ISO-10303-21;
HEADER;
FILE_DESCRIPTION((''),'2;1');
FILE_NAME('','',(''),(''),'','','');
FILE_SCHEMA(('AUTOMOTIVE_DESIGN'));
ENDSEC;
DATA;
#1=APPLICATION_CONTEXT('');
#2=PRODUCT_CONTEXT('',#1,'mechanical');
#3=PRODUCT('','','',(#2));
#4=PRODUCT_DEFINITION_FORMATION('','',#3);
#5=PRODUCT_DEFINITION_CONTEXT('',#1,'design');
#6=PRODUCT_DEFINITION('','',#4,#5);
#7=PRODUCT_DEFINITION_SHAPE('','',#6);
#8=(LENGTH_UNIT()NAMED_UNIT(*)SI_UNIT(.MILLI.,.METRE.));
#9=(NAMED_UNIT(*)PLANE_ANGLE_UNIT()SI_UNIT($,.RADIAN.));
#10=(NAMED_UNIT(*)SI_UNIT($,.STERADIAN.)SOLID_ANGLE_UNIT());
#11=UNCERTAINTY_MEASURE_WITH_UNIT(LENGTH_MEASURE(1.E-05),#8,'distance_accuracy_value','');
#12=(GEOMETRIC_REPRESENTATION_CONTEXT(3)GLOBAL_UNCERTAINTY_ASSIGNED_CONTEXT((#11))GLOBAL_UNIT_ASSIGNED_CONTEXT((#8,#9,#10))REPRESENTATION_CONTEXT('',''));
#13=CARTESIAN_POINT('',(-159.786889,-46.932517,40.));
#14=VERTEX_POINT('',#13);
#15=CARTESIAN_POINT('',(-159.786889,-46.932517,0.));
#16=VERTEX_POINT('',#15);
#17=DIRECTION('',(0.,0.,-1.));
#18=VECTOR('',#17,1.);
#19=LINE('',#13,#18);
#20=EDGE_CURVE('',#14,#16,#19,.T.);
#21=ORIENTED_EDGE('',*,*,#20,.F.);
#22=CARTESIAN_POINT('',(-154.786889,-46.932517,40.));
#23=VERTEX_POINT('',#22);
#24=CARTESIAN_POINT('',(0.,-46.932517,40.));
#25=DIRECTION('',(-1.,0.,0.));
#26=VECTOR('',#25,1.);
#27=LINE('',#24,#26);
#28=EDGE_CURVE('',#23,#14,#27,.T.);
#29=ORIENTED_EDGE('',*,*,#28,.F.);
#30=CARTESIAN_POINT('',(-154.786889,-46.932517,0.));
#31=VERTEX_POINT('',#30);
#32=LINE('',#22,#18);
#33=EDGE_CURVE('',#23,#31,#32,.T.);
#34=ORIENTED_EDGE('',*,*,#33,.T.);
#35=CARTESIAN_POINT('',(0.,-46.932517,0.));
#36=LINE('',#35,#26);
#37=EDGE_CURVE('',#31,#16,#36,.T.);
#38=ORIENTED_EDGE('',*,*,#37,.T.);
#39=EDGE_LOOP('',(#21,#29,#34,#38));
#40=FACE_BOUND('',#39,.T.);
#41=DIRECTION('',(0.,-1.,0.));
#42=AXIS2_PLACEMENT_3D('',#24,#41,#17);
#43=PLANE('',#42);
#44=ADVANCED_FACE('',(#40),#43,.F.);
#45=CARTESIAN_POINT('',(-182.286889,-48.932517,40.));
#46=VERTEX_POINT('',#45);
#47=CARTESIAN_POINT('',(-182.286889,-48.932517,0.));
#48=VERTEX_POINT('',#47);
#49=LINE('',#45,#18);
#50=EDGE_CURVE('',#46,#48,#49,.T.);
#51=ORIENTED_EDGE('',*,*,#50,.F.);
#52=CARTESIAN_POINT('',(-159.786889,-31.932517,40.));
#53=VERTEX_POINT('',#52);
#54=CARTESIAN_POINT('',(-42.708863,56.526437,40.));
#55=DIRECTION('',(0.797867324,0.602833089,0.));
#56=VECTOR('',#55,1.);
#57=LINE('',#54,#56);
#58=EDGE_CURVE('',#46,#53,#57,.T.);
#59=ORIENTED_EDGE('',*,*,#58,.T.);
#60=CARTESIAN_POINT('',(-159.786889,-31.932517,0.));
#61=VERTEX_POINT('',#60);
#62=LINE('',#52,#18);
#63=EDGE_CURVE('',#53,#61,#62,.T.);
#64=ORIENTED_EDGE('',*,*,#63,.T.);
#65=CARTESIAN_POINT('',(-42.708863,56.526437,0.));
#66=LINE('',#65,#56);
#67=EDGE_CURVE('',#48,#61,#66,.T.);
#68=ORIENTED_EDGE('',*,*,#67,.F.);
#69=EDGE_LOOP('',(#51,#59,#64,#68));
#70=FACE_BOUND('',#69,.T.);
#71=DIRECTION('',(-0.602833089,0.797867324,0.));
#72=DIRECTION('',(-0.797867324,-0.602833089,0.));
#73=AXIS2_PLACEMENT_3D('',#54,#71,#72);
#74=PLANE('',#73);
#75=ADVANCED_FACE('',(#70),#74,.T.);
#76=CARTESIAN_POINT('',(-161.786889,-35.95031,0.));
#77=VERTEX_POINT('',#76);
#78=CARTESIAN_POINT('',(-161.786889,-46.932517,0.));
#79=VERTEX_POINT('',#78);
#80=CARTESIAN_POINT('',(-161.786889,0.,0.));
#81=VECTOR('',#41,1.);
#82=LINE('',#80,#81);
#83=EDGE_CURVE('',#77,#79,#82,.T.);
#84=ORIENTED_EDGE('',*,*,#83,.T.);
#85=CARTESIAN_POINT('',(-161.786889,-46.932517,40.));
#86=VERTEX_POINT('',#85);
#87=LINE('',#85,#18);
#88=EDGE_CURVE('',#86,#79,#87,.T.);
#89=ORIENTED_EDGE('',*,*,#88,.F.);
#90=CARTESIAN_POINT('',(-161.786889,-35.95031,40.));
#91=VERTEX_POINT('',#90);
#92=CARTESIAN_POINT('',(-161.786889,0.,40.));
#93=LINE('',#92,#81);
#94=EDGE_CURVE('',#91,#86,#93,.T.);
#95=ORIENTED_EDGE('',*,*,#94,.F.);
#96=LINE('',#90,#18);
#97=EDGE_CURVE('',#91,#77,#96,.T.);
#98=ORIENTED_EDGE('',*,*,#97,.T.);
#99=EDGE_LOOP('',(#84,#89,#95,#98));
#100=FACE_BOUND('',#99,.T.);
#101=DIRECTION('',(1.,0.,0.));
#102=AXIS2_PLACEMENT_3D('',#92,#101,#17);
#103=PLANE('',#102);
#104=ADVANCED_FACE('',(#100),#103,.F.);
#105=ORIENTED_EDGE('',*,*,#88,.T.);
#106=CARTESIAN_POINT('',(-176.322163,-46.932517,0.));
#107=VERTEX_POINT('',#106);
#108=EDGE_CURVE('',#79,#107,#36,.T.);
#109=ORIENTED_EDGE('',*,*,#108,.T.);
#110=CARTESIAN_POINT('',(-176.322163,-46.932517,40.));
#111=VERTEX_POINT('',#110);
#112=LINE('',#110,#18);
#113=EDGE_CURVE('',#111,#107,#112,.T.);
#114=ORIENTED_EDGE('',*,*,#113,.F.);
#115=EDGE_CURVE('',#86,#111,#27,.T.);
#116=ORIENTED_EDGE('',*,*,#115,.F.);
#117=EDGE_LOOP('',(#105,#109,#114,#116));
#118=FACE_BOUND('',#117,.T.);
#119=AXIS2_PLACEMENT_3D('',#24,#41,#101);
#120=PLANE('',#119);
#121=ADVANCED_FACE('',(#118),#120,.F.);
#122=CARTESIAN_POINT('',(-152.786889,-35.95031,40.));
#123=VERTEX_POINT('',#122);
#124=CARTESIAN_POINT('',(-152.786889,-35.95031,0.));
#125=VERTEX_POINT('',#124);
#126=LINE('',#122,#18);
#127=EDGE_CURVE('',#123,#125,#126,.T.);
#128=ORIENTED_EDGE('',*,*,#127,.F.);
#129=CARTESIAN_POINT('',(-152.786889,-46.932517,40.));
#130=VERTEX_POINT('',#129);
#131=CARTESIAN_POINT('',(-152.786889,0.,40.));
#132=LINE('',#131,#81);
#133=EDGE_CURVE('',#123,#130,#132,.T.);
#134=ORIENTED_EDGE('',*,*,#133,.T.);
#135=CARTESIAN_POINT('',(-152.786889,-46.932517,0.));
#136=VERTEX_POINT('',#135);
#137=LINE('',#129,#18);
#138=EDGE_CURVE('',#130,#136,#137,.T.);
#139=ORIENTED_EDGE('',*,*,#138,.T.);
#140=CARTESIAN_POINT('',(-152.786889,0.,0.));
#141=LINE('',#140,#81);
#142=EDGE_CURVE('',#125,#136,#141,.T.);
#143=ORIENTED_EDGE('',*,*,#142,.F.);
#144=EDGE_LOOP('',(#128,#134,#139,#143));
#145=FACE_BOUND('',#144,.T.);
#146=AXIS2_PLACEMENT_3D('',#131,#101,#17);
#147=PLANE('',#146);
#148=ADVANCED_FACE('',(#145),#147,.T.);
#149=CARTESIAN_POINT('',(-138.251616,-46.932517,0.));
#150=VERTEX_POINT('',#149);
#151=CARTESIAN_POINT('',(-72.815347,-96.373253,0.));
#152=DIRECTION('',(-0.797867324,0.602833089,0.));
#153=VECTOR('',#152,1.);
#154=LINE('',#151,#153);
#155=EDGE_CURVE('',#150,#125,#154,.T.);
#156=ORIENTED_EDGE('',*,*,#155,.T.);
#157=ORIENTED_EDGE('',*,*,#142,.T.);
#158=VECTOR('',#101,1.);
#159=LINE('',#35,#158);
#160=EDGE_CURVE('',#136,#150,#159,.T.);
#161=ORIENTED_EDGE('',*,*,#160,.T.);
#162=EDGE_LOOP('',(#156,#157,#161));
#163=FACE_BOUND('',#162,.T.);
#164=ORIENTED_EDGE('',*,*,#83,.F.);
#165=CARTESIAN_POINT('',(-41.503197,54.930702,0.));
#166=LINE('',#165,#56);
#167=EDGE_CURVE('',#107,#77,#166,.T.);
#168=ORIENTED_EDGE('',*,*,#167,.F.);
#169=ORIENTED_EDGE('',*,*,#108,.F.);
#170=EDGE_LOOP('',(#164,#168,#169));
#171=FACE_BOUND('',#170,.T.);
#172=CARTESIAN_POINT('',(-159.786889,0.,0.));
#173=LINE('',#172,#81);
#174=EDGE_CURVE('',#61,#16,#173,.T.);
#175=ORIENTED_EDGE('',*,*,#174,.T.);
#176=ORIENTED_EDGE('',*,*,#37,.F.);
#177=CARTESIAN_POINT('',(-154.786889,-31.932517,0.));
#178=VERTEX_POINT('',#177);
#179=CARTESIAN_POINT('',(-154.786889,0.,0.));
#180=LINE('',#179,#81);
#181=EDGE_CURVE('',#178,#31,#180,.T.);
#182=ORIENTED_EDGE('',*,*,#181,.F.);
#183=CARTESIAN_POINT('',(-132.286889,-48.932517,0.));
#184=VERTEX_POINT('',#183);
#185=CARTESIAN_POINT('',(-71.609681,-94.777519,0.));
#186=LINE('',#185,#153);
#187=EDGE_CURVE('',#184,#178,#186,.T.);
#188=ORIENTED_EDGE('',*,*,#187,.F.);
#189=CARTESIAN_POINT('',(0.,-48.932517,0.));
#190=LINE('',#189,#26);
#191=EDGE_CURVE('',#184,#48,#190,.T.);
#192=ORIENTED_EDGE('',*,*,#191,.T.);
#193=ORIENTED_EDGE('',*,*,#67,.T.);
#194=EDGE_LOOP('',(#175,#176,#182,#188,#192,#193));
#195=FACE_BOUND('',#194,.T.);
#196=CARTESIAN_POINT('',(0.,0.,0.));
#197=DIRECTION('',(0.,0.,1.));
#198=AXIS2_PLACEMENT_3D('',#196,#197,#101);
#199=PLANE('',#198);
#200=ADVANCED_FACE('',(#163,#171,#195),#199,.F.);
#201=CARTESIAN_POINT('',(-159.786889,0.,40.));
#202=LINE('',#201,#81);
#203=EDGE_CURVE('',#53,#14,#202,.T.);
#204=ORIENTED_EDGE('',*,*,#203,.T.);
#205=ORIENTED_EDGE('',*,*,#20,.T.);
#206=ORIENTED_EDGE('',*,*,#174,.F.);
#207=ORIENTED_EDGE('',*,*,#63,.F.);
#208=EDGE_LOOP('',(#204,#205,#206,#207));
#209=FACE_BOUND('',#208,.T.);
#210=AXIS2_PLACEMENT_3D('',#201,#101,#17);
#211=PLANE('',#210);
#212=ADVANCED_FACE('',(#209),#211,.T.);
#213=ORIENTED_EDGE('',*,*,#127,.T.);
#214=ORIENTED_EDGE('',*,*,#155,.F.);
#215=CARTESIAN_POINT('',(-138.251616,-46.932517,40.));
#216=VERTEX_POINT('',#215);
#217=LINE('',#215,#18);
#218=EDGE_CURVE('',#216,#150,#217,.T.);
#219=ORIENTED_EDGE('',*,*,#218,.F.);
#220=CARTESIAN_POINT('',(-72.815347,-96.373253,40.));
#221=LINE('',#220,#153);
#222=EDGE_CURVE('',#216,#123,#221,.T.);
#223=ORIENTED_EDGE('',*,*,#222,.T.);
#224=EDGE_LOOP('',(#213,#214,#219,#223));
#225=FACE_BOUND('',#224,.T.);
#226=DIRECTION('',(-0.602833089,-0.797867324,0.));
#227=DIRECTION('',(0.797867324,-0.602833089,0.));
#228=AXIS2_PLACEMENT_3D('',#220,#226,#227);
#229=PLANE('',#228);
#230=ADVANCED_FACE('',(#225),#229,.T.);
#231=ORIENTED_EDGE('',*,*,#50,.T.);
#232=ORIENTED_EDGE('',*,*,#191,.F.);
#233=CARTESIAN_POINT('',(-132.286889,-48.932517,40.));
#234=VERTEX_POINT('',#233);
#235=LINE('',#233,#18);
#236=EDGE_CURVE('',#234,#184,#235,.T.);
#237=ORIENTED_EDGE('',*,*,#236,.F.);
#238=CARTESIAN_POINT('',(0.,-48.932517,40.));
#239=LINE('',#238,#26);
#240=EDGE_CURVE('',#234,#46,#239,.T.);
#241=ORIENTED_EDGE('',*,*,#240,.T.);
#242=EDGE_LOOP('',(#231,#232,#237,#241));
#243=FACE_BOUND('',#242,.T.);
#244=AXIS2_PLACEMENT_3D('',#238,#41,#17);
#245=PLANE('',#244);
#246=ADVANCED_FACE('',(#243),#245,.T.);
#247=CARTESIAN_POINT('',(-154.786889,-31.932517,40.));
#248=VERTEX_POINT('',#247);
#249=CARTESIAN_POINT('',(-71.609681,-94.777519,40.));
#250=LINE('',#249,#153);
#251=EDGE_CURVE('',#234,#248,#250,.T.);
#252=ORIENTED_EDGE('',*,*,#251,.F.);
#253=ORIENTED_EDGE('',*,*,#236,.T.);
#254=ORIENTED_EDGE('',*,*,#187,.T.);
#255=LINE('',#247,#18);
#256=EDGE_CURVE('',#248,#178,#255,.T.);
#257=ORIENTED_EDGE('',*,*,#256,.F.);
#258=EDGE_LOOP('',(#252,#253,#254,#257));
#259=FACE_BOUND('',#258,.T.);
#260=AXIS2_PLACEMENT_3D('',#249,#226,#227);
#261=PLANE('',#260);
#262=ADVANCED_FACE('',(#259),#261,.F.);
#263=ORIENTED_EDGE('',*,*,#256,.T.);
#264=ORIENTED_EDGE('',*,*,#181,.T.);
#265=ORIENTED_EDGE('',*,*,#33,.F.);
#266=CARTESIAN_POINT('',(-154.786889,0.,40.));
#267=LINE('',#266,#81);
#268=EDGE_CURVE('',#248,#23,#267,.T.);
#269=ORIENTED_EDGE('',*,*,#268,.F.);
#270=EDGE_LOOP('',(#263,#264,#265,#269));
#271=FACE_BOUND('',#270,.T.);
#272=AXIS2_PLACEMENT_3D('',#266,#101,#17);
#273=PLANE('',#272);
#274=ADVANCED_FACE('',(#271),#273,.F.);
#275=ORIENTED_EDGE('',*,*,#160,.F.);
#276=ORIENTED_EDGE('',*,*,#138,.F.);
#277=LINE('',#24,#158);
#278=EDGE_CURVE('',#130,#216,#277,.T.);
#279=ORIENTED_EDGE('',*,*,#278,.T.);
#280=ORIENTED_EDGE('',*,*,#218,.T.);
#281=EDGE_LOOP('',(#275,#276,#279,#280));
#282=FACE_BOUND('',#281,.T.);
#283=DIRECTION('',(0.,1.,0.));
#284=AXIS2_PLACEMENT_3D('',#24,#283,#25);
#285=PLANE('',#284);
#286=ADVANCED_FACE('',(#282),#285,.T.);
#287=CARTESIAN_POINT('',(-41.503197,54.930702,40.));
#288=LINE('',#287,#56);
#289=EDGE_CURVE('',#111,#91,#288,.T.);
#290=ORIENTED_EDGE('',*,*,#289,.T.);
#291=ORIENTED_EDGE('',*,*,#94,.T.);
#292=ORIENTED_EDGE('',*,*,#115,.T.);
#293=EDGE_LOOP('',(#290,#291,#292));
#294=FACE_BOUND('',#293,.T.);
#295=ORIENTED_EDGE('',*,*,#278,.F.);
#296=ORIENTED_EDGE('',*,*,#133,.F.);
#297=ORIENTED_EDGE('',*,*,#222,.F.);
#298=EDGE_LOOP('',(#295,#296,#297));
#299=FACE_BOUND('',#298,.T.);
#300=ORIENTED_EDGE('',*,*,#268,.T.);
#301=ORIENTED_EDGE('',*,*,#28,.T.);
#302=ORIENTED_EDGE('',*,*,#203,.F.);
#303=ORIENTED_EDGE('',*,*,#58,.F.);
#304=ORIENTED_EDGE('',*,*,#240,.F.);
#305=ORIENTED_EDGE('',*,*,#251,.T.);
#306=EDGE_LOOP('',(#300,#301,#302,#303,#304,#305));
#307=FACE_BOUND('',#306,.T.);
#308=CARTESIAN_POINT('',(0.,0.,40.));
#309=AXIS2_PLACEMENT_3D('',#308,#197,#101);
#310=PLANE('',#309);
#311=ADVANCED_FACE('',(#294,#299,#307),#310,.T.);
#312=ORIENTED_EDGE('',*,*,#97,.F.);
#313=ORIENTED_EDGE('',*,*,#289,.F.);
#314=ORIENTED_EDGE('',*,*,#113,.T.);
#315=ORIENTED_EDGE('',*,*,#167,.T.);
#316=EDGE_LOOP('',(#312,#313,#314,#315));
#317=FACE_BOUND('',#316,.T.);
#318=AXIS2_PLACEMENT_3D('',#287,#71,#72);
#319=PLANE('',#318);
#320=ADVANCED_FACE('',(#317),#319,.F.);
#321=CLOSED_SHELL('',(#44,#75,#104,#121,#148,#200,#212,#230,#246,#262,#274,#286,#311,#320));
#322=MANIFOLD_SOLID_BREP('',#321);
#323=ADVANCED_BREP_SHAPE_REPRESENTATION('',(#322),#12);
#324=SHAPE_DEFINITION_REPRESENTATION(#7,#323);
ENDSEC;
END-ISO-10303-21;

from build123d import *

# Parameters (mm, degrees)
BOSS_EXTRU_2_DEPTH = 40


with BuildPart() as part:
    # Esquisse1 → Boss.-Extru.2 (new body)
    with BuildSketch(Plane.XY):
        Polygon((-132.286889429, -48.932516673), (-154.786889429, -31.932516673), (-154.786889429, -46.932516673), (-159.786889429, -46.932516673), (-159.786889429, -31.932516673), (-182.286889429, -48.932516673), align=None)
        Polygon((-138.251616171, -46.932516673), (-152.786889429, -35.950310211), (-152.786889429, -46.932516673), align=None, mode=Mode.SUBTRACT)
        Polygon((-176.322162687, -46.932516673), (-161.786889429, -35.950310211), (-161.786889429, -46.932516673), align=None, mode=Mode.SUBTRACT)
    extrude(amount=BOSS_EXTRU_2_DEPTH)


solid = part.part
